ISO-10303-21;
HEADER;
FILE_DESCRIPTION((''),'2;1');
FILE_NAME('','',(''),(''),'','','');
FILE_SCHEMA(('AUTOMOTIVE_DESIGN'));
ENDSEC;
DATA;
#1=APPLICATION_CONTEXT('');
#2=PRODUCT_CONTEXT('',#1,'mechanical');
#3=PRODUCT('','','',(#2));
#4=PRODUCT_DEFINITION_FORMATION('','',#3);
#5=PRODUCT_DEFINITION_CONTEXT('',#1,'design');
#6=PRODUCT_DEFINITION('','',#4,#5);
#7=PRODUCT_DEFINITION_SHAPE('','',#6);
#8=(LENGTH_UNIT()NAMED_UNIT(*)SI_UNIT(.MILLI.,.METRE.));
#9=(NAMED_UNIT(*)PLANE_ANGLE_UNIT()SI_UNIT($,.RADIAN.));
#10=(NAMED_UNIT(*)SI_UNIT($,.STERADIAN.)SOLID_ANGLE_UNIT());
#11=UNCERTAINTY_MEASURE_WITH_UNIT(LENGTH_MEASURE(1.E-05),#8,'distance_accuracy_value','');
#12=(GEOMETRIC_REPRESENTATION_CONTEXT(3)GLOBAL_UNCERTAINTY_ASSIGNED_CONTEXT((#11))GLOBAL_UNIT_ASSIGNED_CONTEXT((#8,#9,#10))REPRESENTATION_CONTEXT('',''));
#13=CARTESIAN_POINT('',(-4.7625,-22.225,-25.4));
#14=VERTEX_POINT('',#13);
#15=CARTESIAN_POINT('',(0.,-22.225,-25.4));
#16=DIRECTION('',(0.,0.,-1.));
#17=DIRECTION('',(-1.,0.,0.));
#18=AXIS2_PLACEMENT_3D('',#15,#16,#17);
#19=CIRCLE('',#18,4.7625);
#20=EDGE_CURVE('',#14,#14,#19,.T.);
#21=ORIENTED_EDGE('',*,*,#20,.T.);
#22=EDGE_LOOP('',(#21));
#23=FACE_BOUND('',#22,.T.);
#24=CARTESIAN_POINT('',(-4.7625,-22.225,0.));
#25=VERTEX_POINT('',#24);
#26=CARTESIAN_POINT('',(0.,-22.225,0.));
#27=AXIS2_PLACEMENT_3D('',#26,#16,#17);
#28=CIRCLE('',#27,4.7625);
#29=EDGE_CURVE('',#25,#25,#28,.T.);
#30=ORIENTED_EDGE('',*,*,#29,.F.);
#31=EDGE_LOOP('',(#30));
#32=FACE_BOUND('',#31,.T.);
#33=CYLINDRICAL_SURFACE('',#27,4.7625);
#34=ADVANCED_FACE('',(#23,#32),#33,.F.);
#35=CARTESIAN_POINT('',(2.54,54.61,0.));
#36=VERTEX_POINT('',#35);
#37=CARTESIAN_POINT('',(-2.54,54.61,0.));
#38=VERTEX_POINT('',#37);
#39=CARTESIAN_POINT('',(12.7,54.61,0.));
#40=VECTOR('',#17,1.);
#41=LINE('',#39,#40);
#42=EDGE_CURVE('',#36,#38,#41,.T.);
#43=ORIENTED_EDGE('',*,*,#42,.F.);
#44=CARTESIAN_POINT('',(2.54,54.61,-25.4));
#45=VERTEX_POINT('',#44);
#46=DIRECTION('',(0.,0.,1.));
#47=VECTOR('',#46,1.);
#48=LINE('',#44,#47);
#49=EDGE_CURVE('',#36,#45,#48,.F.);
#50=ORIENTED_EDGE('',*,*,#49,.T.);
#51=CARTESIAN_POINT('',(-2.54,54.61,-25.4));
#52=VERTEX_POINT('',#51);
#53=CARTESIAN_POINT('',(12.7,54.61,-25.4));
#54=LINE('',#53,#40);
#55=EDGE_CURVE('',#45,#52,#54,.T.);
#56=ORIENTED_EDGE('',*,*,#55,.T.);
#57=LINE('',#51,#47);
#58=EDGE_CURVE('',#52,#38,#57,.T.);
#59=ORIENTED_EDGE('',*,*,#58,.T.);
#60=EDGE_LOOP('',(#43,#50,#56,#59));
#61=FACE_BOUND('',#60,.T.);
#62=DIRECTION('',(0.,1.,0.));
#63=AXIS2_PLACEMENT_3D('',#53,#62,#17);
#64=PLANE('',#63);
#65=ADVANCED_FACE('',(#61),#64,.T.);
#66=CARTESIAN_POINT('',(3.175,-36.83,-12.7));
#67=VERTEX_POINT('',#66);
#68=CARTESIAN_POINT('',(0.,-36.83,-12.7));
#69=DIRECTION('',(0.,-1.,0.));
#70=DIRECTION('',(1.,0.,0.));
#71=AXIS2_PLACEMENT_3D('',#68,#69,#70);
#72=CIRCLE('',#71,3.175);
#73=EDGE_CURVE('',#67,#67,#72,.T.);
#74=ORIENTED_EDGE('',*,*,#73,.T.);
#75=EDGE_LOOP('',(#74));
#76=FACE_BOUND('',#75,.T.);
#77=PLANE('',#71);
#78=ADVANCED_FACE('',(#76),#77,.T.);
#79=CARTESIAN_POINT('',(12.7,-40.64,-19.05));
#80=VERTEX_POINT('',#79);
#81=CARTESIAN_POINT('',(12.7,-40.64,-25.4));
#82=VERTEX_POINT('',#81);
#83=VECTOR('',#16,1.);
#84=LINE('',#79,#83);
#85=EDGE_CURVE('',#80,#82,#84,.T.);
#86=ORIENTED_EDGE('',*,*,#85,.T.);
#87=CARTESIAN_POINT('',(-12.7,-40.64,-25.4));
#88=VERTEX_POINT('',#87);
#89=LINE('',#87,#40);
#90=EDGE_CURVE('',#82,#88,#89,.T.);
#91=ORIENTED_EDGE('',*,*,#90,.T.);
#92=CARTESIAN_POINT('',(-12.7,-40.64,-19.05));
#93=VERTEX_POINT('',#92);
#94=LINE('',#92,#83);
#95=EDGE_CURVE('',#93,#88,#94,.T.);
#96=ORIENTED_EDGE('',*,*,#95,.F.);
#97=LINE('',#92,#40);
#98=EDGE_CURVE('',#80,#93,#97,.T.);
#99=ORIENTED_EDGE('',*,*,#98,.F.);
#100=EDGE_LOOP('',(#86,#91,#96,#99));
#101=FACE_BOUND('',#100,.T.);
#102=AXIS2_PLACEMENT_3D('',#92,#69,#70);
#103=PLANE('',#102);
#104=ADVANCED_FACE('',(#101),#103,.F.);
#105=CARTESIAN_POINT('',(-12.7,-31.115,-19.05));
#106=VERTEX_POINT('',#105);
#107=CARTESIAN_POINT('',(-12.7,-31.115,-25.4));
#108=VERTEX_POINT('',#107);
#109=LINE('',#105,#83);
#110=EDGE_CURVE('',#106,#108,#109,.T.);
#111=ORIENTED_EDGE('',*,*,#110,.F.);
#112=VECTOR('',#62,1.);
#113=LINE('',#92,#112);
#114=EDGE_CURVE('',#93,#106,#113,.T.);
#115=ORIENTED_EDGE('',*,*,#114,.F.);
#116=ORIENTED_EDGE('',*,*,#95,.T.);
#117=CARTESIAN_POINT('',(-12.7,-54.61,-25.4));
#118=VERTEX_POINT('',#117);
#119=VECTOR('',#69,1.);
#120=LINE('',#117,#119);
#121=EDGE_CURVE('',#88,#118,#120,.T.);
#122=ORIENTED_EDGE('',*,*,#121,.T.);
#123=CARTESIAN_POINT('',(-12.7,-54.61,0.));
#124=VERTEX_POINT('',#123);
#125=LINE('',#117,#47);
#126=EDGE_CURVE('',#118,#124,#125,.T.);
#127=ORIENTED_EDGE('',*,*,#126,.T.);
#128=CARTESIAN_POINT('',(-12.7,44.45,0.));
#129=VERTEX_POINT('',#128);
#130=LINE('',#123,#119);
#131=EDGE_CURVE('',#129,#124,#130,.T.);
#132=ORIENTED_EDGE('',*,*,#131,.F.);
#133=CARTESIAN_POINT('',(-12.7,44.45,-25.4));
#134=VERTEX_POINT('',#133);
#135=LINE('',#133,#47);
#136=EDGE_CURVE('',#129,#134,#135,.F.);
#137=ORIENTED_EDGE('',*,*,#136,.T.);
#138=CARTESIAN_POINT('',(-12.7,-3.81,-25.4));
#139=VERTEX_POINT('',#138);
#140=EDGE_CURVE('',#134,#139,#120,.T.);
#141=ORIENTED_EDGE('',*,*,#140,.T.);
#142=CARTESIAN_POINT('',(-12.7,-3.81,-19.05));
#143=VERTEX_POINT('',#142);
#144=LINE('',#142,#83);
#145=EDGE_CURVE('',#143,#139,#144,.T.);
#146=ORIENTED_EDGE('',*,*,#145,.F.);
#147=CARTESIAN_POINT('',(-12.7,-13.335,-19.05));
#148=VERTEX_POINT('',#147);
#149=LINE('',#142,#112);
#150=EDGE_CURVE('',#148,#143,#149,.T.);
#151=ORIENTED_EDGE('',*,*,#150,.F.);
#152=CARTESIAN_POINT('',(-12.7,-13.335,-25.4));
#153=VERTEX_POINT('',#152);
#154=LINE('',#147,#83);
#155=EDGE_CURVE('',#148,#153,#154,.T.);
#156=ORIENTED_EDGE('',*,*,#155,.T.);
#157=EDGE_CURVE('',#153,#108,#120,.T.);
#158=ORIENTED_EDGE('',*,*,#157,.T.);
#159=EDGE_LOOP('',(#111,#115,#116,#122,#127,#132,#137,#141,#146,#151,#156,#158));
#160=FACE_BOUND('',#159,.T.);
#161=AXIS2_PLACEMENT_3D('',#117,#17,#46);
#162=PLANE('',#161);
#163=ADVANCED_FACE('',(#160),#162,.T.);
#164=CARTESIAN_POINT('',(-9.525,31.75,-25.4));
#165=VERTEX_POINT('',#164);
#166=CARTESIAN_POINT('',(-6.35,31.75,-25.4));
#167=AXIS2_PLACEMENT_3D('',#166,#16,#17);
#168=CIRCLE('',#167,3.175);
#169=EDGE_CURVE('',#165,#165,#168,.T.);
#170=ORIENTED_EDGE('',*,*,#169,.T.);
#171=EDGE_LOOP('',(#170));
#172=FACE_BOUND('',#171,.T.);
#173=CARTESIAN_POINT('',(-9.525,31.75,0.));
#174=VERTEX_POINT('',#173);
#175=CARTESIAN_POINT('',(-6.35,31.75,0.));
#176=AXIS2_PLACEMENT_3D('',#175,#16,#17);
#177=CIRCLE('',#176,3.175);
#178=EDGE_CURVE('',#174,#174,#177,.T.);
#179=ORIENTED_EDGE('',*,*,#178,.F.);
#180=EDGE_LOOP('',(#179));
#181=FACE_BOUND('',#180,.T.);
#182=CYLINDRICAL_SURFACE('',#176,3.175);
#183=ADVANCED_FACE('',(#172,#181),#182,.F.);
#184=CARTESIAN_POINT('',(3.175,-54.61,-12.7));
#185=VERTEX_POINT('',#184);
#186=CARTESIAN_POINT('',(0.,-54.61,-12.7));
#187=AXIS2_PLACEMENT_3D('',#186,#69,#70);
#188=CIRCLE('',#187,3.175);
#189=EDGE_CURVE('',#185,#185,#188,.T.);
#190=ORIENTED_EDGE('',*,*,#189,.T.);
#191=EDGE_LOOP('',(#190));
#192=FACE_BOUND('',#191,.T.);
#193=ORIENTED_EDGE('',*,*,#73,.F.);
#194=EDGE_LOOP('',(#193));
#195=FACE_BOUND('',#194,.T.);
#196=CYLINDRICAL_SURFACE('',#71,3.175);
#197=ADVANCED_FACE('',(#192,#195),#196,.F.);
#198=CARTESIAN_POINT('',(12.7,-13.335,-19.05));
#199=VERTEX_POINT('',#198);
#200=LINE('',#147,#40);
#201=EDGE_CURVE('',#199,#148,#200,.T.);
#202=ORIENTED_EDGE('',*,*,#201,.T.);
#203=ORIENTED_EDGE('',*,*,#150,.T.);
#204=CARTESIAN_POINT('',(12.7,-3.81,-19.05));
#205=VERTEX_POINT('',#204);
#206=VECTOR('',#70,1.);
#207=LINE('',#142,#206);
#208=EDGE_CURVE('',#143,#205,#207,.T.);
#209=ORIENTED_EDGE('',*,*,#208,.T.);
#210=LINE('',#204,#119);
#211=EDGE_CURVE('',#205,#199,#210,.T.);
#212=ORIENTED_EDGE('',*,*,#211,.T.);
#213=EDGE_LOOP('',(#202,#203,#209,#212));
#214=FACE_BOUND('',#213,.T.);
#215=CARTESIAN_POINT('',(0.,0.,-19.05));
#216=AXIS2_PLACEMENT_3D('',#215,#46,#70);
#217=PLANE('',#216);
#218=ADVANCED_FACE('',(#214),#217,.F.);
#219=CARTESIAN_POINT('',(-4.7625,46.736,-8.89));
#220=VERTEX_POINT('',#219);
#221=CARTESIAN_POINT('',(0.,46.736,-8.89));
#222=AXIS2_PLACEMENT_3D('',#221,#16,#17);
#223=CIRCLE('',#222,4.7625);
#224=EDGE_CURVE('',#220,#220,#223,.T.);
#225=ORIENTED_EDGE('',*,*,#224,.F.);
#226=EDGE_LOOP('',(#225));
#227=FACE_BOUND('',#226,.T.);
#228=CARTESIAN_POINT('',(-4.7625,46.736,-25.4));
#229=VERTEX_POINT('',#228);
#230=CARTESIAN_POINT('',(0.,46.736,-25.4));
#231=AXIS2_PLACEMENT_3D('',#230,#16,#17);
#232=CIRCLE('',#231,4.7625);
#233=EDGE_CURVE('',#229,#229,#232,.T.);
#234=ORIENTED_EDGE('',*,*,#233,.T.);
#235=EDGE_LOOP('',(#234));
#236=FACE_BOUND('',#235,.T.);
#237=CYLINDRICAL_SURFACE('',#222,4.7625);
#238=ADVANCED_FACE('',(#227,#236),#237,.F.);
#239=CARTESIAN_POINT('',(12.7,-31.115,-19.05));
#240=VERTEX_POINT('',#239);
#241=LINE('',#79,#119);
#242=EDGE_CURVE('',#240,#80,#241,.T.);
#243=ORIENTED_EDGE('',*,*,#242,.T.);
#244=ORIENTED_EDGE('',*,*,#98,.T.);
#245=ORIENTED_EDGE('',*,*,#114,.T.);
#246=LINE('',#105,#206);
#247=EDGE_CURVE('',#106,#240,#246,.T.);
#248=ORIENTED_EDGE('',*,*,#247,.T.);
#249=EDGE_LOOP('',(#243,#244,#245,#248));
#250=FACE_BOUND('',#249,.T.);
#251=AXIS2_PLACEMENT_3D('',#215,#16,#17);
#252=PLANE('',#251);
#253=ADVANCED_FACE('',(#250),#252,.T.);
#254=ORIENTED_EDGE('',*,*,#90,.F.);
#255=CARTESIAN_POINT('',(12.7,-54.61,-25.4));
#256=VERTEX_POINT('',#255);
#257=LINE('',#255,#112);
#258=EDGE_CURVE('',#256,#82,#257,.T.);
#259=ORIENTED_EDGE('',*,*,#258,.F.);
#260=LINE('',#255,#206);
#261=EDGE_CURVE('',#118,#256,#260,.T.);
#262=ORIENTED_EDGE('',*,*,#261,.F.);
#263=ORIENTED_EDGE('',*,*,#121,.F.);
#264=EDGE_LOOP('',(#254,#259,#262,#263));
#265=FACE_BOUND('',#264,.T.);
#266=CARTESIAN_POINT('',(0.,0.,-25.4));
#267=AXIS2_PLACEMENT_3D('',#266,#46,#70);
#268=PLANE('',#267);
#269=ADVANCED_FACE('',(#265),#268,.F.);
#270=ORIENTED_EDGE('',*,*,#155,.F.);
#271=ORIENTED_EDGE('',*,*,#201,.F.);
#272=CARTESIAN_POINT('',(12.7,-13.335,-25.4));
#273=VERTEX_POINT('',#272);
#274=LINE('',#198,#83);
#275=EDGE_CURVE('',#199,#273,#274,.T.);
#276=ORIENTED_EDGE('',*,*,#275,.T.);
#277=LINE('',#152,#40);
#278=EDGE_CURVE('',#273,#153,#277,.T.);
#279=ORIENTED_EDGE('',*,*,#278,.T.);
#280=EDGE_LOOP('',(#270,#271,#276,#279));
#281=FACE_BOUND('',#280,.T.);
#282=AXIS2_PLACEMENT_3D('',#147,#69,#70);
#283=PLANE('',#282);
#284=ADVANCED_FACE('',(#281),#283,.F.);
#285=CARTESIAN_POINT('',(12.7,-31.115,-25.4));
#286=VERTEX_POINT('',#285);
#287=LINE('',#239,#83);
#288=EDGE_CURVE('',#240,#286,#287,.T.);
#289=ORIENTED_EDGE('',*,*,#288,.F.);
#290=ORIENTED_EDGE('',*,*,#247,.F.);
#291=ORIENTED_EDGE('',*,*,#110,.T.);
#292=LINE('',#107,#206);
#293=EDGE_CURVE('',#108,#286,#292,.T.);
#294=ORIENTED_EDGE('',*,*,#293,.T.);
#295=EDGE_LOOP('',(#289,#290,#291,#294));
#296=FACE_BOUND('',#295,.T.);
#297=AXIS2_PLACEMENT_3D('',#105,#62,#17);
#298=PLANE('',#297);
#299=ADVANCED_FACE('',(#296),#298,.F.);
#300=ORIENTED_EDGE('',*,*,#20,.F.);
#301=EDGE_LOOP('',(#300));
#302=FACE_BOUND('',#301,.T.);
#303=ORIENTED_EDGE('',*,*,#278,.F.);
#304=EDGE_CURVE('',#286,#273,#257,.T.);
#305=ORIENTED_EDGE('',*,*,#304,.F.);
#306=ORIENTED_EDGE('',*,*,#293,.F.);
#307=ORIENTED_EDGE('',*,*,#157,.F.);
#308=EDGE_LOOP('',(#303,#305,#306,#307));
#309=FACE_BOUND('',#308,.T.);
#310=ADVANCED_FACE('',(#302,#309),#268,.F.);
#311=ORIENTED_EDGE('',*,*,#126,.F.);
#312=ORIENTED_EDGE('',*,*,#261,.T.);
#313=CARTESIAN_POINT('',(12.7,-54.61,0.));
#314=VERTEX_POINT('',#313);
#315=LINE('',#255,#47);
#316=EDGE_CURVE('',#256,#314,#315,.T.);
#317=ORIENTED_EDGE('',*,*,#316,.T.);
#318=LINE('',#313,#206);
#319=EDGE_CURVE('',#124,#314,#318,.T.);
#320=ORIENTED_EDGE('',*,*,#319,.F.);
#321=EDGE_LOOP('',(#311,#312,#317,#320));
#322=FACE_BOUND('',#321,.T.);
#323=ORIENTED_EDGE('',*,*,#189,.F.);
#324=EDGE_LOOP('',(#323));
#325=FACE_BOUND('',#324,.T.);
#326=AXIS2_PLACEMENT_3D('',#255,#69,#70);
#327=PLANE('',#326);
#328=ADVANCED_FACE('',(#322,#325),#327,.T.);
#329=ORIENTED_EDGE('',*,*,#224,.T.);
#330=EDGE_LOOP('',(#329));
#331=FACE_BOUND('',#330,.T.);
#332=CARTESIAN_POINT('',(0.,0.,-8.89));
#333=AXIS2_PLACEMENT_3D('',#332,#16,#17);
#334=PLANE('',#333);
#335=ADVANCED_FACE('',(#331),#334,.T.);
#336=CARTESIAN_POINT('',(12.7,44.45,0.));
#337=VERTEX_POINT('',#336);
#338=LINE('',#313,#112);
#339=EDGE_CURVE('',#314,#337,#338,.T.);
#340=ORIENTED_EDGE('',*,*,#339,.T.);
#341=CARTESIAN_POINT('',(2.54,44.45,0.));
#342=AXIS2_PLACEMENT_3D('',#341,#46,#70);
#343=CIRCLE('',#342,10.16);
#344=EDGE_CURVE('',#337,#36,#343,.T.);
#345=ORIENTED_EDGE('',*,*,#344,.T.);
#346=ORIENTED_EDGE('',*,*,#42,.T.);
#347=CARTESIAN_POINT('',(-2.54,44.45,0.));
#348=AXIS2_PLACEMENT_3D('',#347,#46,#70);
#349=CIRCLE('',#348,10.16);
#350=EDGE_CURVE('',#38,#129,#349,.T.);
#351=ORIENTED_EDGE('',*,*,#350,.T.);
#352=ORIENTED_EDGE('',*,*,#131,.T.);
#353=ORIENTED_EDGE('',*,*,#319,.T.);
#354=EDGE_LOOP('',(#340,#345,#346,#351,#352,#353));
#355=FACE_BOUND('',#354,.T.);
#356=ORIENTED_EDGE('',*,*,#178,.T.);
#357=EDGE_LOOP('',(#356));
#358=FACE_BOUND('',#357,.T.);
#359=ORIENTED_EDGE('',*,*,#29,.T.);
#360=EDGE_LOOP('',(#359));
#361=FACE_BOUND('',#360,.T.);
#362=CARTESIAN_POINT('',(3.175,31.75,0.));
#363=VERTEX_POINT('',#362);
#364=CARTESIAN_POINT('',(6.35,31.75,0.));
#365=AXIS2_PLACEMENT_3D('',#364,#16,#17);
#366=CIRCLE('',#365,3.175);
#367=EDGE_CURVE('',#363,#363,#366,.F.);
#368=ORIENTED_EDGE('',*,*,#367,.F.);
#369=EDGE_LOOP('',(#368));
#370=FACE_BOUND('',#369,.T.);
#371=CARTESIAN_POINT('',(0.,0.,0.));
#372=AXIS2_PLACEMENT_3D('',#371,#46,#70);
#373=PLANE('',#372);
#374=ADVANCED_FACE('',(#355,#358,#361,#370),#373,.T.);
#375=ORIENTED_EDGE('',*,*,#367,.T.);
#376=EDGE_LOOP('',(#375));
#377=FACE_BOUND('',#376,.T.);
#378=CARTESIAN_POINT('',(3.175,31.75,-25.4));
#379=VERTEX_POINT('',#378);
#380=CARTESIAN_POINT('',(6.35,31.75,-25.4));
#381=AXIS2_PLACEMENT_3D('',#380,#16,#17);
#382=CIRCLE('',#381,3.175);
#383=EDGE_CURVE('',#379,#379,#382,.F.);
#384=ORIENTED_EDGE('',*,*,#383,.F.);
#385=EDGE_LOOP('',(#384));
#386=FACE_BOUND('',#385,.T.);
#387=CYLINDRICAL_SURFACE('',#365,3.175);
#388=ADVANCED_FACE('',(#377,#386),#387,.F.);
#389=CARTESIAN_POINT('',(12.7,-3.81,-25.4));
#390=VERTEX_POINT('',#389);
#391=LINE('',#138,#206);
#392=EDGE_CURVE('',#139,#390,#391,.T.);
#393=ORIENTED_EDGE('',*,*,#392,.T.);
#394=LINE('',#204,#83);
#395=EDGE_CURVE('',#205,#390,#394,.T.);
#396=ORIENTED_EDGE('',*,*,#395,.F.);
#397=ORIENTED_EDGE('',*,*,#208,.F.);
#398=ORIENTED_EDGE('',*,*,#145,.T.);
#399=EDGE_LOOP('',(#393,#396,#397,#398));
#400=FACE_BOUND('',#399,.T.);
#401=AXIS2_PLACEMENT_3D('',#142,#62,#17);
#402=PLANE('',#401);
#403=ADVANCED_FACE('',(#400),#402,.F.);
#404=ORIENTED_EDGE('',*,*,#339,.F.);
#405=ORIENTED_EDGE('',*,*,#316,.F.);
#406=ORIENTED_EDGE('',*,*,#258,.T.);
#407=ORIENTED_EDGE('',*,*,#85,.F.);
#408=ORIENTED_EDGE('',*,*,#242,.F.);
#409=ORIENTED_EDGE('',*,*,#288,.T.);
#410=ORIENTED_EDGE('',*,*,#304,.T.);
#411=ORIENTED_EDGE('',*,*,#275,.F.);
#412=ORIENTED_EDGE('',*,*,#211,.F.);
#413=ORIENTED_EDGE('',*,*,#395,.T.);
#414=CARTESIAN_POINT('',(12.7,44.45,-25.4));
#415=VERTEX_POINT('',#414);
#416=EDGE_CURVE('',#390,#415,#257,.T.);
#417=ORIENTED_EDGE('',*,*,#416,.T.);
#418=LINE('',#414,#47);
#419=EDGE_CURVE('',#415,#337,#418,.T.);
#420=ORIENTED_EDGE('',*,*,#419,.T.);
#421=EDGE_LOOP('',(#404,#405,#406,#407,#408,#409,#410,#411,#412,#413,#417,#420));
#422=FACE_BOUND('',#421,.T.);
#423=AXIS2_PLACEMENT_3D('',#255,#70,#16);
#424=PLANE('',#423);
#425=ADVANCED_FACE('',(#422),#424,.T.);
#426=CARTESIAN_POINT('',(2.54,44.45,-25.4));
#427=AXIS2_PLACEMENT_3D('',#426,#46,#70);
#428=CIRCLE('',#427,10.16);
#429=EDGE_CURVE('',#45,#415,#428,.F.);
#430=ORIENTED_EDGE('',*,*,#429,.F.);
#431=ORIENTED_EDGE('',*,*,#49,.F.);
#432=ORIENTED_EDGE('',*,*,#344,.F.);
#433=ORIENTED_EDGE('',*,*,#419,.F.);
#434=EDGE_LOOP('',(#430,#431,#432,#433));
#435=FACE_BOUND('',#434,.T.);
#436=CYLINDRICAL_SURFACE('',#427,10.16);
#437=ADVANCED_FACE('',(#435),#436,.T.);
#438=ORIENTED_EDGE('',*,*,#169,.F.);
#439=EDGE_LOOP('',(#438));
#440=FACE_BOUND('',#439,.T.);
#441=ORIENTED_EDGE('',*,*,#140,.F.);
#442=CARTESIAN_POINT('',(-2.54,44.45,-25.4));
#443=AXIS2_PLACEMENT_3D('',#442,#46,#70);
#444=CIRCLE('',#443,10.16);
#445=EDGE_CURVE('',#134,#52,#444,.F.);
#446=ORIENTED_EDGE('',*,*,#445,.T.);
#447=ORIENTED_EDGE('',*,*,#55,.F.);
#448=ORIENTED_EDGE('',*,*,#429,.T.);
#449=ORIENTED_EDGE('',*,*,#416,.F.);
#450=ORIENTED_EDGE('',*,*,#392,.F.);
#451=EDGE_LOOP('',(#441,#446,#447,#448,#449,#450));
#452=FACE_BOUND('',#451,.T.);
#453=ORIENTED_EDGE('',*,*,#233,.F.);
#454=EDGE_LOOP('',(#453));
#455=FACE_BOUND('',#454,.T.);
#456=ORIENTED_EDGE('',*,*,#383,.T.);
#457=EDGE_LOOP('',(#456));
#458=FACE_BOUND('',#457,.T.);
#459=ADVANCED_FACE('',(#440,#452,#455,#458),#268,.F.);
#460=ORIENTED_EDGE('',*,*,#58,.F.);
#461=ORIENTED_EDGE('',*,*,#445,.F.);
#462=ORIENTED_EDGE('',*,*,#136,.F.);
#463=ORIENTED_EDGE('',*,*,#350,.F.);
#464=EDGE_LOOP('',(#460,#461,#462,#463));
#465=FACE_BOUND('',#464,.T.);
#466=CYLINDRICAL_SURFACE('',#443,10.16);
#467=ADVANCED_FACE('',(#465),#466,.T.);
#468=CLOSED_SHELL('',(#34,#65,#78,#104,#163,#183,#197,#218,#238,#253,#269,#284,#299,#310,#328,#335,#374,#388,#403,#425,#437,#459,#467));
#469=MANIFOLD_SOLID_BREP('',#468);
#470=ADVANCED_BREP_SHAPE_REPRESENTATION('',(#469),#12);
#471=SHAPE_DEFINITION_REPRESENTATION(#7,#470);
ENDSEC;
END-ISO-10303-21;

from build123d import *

# Parameters (mm, degrees)
SKETCH1_W           = 25.4
SKETCH1_H           = 109.22
BOSS_EXTRUDE1_DEPTH = 25.4
FILLET1_R           = 10.16
SKETCH2_R           = 3.175
CUT_EXTRUDE1_DEPTH  = 17.78
SKETCH3_R           = 4.7625
SKETCH3_R_2         = 3.175
CUT_EXTRUDE2_DEPTH  = 62.552433746
SKETCH3_3_R         = 4.7625
CUT_EXTRUDE3_DEPTH  = 16.51
SKETCH4_W           = 25.4
SKETCH4_H           = 9.525
CUT_EXTRUDE4_DEPTH  = 6.35


with BuildPart() as part:
    # Sketch1 → Boss-Extrude1 (new body)
    with BuildSketch(Plane.XY):
        Rectangle(SKETCH1_W, SKETCH1_H)
    extrude(amount=-BOSS_EXTRUDE1_DEPTH)

    # Fillet1
    fillet1_edges = [part.edges().sort_by_distance(p)[0] for p in [
        (12.7, 54.61, -12.7),
        (-12.7, 54.61, -12.7),
    ]]
    fillet(fillet1_edges, radius=FILLET1_R)

    # Sketch2 → Cut-Extrude1 (cut)
    with BuildSketch(Plane.XZ.offset(54.61)):
        with Locations((0, -12.7)):
            Circle(SKETCH2_R)
    extrude(amount=-CUT_EXTRUDE1_DEPTH, mode=Mode.SUBTRACT)

    # Sketch3 → Cut-Extrude2 (cut, through all)
    with BuildSketch(Plane(origin=(0, 0, -25.4), x_dir=(-1, 0, 0), z_dir=(0, 0, -1))):
        with Locations((0, -22.225)):
            Circle(SKETCH3_R)
        with Locations((6.35, 31.75)):
            Circle(SKETCH3_R_2)
        with Locations((-6.35, 31.75)):
            Circle(SKETCH3_R_2)
    extrude(amount=-CUT_EXTRUDE2_DEPTH, mode=Mode.SUBTRACT)

    # Sketch3<3> → Cut-Extrude3 (cut)
    with BuildSketch(Plane(origin=(0, 0, -25.4), x_dir=(-1, 0, 0), z_dir=(0, 0, -1))):
        with Locations((0, 46.736)):
            Circle(SKETCH3_3_R)
    extrude(amount=-CUT_EXTRUDE3_DEPTH, mode=Mode.SUBTRACT)

    # Sketch4 → Cut-Extrude4 (cut)
    with BuildSketch(Plane(origin=(0, 0, -25.4), x_dir=(-1, 0, 0), z_dir=(0, 0, -1))):
        with Locations((0, -8.5725)):
            Rectangle(SKETCH4_W, SKETCH4_H)
        with Locations((0, -35.8775)):
            Rectangle(SKETCH4_W, SKETCH4_H)
    extrude(amount=-CUT_EXTRUDE4_DEPTH, mode=Mode.SUBTRACT)


solid = part.part
